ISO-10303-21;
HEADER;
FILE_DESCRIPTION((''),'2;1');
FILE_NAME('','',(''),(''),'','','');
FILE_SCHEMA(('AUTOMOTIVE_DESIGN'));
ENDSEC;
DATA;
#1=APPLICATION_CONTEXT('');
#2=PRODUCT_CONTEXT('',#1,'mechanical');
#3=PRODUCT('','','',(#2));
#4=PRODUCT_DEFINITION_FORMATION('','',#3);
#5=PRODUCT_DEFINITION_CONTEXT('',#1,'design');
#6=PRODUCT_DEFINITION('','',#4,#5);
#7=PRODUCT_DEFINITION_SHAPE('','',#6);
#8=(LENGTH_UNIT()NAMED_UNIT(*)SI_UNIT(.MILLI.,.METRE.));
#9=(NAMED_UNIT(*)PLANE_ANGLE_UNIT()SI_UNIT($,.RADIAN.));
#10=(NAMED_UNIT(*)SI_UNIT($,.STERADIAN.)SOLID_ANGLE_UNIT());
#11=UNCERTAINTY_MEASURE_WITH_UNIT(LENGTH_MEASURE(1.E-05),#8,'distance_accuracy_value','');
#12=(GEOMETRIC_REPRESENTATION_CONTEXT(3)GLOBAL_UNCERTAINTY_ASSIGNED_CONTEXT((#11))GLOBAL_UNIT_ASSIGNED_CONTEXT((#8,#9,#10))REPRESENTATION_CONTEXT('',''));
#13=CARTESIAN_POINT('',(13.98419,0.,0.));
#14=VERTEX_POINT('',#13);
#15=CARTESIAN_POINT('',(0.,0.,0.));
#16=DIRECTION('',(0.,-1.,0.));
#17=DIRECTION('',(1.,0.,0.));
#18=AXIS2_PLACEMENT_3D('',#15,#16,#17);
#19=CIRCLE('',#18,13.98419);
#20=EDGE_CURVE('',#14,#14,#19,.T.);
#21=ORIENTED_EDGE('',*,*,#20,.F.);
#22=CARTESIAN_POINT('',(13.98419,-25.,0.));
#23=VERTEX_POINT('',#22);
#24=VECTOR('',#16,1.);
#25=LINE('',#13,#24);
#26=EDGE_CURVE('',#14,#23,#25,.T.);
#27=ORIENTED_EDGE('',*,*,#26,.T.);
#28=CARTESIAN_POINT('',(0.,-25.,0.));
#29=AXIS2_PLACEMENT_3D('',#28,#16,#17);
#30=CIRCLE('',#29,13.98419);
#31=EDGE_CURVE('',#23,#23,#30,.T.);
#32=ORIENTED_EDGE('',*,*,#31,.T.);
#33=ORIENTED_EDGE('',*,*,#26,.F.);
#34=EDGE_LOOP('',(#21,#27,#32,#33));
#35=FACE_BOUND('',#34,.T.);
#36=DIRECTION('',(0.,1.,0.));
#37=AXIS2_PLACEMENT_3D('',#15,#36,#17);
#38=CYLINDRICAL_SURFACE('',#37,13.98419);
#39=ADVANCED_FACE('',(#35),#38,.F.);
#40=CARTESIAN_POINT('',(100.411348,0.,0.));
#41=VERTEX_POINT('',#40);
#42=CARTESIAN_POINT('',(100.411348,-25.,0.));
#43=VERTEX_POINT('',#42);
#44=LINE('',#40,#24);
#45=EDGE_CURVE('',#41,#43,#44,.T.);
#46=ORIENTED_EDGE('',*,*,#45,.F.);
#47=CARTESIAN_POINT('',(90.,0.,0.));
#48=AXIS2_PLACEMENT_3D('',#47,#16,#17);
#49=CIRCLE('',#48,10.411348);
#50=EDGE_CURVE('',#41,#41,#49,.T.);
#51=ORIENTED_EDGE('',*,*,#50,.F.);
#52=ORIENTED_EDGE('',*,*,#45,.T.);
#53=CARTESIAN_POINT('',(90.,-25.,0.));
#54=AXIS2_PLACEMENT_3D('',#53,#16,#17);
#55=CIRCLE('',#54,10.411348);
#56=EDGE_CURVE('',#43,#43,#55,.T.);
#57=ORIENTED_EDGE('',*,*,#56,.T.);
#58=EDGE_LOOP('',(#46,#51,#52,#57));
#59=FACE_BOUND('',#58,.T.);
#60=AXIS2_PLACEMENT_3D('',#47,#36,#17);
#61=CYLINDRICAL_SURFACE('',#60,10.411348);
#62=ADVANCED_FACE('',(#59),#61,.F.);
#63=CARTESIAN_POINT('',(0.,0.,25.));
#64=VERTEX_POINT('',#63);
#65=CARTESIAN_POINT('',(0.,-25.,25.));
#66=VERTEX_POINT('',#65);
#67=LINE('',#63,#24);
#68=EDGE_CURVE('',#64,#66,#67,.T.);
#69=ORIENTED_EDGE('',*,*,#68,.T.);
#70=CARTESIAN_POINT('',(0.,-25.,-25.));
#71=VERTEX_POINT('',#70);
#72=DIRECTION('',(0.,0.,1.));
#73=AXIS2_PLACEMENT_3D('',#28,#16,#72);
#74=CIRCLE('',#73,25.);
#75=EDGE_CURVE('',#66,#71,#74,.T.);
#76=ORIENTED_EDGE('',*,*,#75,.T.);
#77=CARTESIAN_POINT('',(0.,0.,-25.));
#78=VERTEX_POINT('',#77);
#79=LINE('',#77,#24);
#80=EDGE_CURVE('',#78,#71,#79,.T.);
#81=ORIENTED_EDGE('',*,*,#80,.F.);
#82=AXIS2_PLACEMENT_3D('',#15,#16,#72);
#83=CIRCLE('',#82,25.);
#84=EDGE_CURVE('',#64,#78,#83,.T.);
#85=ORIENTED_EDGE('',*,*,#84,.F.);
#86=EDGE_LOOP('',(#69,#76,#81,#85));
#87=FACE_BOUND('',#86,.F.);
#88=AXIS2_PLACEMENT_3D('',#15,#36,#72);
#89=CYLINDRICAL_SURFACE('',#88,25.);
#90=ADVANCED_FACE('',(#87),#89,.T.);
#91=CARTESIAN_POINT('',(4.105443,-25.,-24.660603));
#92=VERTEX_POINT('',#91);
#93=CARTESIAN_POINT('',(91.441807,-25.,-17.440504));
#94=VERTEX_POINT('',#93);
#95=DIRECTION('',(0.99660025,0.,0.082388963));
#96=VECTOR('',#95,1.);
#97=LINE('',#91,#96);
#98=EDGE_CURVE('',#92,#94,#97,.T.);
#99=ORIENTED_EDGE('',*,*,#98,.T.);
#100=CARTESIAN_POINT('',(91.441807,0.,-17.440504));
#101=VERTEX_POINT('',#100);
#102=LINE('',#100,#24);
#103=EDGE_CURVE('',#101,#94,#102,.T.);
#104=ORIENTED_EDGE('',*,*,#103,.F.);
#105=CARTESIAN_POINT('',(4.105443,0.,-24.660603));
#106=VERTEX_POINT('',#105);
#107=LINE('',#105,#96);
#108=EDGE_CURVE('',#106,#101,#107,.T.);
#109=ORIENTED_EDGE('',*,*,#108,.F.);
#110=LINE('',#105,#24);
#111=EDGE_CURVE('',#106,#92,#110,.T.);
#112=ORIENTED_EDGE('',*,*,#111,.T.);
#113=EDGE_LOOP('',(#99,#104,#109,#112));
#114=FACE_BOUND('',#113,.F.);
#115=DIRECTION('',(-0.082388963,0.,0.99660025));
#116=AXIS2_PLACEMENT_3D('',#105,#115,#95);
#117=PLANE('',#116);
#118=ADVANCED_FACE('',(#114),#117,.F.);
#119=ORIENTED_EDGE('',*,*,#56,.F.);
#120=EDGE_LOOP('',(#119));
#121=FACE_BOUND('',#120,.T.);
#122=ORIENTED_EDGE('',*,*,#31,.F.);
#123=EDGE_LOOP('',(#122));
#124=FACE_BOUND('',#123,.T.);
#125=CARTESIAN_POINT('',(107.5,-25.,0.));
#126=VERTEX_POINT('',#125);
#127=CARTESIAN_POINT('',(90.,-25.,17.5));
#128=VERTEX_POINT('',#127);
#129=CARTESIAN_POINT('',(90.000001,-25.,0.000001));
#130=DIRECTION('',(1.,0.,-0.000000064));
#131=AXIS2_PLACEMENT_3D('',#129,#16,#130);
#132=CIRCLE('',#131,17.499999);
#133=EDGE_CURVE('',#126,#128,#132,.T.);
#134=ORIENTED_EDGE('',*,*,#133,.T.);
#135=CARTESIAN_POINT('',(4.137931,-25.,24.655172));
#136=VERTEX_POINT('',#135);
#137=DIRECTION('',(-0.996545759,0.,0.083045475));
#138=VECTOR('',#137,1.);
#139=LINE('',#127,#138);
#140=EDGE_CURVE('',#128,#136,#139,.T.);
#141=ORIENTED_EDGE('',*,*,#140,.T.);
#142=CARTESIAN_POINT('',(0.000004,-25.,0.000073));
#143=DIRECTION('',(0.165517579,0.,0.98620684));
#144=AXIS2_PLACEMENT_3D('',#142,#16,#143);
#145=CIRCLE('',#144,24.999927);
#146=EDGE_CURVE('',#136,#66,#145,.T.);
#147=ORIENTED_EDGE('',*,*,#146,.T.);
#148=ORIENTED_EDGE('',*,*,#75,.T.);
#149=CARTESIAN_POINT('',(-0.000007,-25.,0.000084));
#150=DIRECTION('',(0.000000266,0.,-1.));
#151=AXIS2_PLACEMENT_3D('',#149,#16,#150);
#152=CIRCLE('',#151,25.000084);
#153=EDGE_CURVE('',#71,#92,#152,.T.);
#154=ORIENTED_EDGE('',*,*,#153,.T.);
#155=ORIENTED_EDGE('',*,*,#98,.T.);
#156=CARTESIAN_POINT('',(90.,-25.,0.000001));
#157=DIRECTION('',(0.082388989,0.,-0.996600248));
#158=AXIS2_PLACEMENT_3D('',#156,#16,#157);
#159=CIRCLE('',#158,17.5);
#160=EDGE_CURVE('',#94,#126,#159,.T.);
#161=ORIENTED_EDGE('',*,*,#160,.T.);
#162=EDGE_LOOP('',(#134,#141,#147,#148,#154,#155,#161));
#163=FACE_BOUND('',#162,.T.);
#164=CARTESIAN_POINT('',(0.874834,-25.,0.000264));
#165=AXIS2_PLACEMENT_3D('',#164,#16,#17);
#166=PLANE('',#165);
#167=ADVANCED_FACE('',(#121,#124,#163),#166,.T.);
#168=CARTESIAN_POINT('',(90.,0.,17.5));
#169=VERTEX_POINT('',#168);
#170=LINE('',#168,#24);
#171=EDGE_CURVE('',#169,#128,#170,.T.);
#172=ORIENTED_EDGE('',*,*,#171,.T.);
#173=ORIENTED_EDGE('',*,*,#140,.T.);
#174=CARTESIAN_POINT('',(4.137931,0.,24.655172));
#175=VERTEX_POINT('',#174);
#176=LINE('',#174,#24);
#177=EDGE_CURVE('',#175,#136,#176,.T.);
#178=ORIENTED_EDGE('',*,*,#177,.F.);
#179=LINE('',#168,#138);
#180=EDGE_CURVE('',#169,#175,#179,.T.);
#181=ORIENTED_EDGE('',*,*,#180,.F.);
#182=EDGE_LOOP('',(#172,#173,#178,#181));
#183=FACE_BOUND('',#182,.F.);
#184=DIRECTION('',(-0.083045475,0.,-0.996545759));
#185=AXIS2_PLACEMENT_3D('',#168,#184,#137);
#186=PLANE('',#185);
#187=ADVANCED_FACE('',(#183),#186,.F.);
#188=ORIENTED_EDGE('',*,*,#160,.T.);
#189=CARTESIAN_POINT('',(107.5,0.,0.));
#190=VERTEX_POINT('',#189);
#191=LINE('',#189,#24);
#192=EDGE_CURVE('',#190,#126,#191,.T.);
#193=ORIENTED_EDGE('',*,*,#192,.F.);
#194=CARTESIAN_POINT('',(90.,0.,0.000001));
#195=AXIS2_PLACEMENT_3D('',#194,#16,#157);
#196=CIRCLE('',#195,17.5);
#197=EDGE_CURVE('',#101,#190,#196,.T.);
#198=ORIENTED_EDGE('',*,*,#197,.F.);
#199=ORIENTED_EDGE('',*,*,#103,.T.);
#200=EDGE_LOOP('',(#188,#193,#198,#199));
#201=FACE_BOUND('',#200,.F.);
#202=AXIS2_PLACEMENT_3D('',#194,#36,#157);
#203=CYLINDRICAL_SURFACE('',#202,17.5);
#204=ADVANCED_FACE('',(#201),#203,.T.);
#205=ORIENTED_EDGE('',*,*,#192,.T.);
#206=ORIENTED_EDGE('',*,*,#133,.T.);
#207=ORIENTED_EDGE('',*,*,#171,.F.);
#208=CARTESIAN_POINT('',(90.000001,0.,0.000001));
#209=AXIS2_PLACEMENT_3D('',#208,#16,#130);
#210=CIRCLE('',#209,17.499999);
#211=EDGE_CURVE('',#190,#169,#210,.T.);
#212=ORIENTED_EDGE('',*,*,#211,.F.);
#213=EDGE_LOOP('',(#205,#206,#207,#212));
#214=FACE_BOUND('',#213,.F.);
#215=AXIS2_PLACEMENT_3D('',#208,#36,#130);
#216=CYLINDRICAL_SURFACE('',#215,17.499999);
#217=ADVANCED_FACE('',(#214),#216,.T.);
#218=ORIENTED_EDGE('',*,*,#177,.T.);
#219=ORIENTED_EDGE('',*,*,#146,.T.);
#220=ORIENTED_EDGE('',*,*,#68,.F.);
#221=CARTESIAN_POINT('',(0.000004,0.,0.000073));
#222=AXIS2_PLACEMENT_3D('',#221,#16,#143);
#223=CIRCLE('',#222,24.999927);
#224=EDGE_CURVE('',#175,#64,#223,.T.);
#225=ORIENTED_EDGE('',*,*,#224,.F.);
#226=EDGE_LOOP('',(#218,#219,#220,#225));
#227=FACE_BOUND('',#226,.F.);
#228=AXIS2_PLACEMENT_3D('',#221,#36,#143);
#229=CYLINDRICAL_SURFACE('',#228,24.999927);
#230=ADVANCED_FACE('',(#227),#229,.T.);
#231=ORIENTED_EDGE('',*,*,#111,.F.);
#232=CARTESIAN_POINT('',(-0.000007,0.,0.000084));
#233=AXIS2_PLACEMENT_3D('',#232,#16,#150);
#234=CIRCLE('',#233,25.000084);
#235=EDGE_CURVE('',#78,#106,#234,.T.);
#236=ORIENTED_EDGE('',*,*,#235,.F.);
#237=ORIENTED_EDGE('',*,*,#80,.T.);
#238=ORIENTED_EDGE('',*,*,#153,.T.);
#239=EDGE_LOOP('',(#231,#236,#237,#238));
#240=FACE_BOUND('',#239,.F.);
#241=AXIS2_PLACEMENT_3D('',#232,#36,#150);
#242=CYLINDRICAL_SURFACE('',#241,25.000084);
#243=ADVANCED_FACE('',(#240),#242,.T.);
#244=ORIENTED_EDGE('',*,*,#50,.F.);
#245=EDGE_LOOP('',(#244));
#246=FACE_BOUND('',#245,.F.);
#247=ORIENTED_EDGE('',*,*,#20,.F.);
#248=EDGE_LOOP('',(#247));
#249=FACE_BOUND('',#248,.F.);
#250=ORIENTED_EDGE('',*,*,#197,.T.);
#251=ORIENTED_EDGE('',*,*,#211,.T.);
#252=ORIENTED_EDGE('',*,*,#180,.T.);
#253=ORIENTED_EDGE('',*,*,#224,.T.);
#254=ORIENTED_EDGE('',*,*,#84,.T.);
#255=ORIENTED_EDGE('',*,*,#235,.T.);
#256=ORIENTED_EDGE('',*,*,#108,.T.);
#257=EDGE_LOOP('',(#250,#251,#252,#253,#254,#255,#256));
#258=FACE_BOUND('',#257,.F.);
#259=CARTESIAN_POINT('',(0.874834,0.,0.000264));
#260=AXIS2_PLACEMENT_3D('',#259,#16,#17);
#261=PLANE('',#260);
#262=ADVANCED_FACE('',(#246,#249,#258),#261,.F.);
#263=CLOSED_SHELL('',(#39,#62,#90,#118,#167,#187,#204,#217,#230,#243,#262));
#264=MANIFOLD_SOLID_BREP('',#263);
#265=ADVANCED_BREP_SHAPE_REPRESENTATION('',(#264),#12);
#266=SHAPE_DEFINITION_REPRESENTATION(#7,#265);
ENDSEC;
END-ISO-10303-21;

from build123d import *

# Parameters (mm, degrees)
F0_R     = 24.106038
F0_R_2   = 10.411348
F0_R_3   = 13.98419
F1_DEPTH = 25


with BuildPart() as f1:
    # F0 (on Front) → F1 (new body)
    with BuildSketch(Plane.XZ):
        with BuildLine():
            Line((4.137931, 24.655172), (0, 25))
            ThreePointArc((0, 25), (-25, 0), (0, -25))
            Line((0, -25), (4.105443, -24.660603))
            ThreePointArc((4.105443, -24.660603), (19.074015, -16.161125), (25, 0))
            ThreePointArc((25, 0), (19.084657, 16.148556), (4.137931, 24.655172))
        make_face()
        Circle(F0_R, mode=Mode.SUBTRACT)
        with BuildLine():
            ThreePointArc((4.137931, 24.655172), (2.076137, 24.913644), (0, 25))
            Line((0, 25), (4.137931, 24.655172))
        make_face()
        with BuildLine():
            Line((4.105443, -24.660603), (0, -25))
            ThreePointArc((0, -25), (2.059724, -24.915006), (4.105443, -24.660603))
        make_face()
        with BuildLine():
            Line((90, 17.5), (4.137931, 24.655172))
            ThreePointArc((4.137931, 24.655172), (19.084657, 16.148556), (25, 0))
            ThreePointArc((25, 0), (19.074015, -16.161125), (4.105443, -24.660603))
            Line((4.105443, -24.660603), (91.441807, -17.440504))
            ThreePointArc((91.441807, -17.440504), (72.51488, -0.721517), (90, 17.5))
        make_face()
        with BuildLine():
            ThreePointArc((107.5, 0), (102.374369, 12.374369), (90, 17.5))
            ThreePointArc((90, 17.5), (72.51488, -0.721517), (91.441807, -17.440504))
            ThreePointArc((91.441807, -17.440504), (102.874036, -11.853657), (107.5, 0))
        make_face()
        with Locations((90, 0)):
            Circle(F0_R_2, mode=Mode.SUBTRACT)
        Circle(F0_R)
        Circle(F0_R_3, mode=Mode.SUBTRACT)
    extrude(amount=F1_DEPTH)


solid = f1.part
